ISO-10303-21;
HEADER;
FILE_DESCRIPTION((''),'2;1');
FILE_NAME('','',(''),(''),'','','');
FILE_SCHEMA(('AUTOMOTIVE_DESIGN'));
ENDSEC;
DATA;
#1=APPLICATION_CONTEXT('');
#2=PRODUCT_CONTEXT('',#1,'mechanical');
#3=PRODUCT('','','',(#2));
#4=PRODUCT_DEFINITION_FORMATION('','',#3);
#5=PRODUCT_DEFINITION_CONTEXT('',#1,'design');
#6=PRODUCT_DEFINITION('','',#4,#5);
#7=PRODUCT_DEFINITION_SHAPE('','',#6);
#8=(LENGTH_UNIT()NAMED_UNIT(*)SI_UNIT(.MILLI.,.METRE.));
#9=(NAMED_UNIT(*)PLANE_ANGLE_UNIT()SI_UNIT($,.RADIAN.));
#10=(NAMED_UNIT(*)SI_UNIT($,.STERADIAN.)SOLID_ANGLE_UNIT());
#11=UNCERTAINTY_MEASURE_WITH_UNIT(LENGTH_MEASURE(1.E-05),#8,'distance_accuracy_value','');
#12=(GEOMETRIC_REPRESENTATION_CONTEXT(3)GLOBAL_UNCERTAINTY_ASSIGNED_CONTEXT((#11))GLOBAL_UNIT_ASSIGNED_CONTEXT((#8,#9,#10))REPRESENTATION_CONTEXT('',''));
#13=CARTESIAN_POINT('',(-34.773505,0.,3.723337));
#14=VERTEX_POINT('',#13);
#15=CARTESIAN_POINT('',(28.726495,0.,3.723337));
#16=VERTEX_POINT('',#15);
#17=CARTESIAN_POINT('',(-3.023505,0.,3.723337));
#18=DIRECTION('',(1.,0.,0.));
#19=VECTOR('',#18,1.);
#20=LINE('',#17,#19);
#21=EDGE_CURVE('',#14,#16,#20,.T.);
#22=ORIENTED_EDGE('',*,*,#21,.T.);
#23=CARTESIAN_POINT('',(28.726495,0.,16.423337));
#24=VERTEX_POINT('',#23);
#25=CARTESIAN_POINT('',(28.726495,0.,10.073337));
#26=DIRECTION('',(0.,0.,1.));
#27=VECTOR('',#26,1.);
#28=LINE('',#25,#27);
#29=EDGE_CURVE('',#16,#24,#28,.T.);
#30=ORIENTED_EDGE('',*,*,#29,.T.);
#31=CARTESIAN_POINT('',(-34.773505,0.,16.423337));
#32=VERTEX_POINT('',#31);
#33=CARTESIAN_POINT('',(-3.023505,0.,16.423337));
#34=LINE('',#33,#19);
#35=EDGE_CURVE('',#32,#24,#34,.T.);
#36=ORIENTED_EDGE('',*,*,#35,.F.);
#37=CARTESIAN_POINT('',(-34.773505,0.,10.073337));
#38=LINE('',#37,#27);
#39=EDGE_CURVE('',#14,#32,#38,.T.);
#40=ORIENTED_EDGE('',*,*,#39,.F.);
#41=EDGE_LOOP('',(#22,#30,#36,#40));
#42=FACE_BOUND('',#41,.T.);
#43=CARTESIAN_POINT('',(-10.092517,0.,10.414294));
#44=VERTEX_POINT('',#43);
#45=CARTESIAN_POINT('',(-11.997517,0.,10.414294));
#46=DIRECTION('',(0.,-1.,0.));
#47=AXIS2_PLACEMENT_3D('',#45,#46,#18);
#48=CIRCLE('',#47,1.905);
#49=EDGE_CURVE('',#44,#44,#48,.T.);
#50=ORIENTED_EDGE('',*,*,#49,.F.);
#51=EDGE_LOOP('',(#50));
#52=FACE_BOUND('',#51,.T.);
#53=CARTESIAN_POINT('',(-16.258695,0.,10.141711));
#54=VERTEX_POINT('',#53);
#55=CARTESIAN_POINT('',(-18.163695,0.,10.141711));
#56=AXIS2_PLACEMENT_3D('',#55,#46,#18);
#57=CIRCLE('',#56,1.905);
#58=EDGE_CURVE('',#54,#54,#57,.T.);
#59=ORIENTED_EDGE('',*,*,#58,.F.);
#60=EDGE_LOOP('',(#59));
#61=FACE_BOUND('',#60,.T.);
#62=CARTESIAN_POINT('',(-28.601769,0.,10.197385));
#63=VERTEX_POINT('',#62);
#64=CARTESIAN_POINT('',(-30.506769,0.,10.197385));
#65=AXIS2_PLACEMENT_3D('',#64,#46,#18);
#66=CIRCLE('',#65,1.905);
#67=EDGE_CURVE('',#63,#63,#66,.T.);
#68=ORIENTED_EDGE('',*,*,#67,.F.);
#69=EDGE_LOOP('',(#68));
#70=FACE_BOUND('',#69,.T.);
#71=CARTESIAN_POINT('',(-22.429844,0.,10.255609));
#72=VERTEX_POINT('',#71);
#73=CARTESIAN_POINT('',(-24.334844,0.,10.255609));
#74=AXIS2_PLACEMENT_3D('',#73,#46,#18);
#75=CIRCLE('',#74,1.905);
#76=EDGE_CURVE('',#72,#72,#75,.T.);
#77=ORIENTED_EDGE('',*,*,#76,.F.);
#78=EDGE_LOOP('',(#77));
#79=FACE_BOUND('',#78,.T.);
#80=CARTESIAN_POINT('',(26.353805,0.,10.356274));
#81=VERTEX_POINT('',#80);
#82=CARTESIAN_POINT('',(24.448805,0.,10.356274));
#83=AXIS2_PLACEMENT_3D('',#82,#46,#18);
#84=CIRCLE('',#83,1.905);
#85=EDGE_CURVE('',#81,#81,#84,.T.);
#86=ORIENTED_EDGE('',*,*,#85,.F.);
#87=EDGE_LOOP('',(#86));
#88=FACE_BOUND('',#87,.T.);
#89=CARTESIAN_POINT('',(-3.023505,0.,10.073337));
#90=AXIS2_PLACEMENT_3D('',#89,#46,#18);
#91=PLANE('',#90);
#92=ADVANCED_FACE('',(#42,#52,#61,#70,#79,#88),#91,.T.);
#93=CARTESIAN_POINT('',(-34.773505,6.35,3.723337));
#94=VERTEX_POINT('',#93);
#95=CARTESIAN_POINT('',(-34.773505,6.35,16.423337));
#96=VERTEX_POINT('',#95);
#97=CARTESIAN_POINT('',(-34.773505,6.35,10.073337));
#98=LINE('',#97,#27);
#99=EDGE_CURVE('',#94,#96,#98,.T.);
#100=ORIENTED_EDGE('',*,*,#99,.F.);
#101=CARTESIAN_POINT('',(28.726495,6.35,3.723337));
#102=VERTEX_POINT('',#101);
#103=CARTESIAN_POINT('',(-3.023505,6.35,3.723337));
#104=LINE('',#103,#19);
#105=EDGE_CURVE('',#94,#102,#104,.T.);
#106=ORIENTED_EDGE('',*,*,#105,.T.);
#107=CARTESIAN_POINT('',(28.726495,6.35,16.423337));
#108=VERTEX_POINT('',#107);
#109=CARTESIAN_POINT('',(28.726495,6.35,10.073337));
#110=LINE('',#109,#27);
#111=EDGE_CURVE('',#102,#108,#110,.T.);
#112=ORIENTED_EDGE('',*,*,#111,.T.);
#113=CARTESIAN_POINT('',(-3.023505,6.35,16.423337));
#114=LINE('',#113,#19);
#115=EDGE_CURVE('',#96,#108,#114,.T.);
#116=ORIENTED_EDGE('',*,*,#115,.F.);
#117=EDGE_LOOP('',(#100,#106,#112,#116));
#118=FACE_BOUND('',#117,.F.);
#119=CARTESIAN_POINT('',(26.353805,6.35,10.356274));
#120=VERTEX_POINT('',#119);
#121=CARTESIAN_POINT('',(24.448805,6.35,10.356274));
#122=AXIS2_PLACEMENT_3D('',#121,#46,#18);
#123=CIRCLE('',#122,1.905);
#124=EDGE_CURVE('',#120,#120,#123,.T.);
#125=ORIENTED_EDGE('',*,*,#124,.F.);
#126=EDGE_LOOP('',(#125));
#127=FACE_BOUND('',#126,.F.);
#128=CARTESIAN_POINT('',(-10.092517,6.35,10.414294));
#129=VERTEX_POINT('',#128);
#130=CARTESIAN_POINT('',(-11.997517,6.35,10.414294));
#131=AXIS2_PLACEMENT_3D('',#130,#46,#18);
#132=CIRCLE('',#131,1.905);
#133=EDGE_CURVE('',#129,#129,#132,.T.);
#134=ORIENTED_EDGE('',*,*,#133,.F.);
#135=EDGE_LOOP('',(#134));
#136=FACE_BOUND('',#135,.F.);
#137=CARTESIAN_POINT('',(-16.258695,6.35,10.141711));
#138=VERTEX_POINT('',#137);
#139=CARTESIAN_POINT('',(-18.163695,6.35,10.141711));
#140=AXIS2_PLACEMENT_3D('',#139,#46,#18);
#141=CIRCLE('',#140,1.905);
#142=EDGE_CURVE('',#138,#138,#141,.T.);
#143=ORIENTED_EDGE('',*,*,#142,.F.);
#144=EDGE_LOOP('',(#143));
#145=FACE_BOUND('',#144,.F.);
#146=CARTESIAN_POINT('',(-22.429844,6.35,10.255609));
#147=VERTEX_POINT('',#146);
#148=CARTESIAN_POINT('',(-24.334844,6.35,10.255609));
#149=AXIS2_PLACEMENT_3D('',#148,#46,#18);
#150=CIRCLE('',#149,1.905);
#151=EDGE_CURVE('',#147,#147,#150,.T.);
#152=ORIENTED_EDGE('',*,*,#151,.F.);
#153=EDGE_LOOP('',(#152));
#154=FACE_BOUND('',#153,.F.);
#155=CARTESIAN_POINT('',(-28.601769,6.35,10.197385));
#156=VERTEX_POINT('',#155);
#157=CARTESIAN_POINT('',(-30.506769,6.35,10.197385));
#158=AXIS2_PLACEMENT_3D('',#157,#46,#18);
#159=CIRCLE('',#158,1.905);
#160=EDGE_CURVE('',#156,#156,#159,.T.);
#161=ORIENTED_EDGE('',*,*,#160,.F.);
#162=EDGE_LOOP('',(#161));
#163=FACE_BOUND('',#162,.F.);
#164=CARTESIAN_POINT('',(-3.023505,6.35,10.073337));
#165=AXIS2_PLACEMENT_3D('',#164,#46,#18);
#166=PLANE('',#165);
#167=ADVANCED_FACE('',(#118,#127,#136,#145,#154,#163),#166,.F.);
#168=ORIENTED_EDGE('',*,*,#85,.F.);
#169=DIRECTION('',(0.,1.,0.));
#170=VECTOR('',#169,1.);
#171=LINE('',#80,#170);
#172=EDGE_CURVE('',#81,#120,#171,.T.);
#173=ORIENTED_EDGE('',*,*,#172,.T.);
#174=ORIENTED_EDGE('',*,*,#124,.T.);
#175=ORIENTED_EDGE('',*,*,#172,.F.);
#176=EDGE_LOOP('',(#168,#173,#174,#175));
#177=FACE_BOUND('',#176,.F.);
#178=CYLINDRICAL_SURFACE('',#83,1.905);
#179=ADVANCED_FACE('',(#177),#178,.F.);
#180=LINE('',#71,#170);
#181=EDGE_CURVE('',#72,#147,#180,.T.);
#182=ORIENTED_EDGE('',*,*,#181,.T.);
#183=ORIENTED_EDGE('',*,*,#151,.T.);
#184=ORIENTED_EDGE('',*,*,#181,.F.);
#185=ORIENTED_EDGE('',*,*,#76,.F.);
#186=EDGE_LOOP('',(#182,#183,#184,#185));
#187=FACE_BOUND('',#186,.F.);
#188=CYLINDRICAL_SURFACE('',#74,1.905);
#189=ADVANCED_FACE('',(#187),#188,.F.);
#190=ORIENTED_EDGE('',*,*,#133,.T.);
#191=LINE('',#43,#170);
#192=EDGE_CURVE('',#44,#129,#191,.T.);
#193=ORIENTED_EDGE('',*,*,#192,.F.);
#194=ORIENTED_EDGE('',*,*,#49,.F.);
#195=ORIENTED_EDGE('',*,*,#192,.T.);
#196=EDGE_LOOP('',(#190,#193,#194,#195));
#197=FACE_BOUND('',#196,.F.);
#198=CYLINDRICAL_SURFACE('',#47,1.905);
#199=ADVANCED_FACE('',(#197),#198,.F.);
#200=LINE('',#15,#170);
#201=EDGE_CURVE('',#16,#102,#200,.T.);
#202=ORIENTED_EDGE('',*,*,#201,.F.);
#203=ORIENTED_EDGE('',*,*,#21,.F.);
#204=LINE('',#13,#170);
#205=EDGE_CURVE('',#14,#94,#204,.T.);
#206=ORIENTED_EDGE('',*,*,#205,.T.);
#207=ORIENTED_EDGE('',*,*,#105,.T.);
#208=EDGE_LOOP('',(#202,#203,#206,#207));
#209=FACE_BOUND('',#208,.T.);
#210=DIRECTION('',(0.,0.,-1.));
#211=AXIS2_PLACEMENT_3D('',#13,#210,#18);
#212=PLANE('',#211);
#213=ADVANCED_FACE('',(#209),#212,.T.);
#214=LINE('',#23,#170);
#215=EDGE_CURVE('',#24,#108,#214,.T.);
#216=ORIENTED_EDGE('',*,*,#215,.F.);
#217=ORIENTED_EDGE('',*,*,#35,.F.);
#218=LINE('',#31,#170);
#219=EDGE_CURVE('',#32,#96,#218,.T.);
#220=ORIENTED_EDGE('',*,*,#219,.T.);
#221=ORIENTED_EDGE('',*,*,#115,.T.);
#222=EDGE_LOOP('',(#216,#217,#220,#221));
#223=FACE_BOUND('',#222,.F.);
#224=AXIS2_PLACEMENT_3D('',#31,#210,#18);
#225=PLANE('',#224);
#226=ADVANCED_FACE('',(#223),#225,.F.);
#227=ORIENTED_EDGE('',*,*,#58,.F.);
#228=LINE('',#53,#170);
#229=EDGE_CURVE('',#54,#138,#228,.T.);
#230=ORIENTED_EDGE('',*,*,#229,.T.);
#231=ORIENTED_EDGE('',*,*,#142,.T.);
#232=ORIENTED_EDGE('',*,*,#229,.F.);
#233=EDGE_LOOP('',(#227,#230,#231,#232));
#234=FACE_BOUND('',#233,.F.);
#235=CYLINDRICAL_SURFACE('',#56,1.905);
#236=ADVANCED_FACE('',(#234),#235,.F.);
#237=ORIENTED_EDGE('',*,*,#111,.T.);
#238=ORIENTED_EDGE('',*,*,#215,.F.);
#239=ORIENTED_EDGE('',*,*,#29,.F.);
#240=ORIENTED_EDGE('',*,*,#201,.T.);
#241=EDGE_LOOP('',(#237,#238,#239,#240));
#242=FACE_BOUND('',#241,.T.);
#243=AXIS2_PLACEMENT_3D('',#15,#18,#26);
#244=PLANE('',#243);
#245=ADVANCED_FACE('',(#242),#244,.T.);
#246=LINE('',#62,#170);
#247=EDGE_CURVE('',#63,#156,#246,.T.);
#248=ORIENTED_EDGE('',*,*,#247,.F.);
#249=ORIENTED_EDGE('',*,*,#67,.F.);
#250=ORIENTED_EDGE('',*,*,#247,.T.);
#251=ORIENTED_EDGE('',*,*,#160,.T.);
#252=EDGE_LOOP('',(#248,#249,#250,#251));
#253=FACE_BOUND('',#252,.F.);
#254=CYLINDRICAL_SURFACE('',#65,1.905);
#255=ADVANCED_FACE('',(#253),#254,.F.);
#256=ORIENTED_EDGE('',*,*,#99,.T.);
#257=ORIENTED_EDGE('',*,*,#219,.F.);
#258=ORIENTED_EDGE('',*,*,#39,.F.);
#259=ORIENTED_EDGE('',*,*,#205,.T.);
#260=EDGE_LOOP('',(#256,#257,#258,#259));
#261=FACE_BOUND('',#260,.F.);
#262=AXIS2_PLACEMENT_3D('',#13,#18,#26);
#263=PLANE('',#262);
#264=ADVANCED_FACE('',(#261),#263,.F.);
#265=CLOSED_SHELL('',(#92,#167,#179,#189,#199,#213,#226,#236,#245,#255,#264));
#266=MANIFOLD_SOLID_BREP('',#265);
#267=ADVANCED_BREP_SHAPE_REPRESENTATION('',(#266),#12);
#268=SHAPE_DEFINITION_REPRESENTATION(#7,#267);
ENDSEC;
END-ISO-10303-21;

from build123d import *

# Parameters (mm, degrees)
F0_W     = 63.5
F0_H     = 12.7
F0_R     = 1.905
F1_DEPTH = 6.35


with BuildPart() as f1:
    # F0 (on Front) → F1 (new body)
    with BuildSketch(Plane.XZ):
        with Locations((-3.023505, 10.073337)):
            Rectangle(F0_W, F0_H)
        with Locations((-30.506769, 10.197385)):
            Circle(F0_R, mode=Mode.SUBTRACT)
        with Locations((-24.334844, 10.255609)):
            Circle(F0_R, mode=Mode.SUBTRACT)
        with Locations((-18.163695, 10.141711)):
            Circle(F0_R, mode=Mode.SUBTRACT)
        with Locations((-11.997517, 10.414294)):
            Circle(F0_R, mode=Mode.SUBTRACT)
        with Locations((24.448805, 10.356274)):
            Circle(F0_R, mode=Mode.SUBTRACT)
    extrude(amount=-F1_DEPTH)


solid = f1.part
